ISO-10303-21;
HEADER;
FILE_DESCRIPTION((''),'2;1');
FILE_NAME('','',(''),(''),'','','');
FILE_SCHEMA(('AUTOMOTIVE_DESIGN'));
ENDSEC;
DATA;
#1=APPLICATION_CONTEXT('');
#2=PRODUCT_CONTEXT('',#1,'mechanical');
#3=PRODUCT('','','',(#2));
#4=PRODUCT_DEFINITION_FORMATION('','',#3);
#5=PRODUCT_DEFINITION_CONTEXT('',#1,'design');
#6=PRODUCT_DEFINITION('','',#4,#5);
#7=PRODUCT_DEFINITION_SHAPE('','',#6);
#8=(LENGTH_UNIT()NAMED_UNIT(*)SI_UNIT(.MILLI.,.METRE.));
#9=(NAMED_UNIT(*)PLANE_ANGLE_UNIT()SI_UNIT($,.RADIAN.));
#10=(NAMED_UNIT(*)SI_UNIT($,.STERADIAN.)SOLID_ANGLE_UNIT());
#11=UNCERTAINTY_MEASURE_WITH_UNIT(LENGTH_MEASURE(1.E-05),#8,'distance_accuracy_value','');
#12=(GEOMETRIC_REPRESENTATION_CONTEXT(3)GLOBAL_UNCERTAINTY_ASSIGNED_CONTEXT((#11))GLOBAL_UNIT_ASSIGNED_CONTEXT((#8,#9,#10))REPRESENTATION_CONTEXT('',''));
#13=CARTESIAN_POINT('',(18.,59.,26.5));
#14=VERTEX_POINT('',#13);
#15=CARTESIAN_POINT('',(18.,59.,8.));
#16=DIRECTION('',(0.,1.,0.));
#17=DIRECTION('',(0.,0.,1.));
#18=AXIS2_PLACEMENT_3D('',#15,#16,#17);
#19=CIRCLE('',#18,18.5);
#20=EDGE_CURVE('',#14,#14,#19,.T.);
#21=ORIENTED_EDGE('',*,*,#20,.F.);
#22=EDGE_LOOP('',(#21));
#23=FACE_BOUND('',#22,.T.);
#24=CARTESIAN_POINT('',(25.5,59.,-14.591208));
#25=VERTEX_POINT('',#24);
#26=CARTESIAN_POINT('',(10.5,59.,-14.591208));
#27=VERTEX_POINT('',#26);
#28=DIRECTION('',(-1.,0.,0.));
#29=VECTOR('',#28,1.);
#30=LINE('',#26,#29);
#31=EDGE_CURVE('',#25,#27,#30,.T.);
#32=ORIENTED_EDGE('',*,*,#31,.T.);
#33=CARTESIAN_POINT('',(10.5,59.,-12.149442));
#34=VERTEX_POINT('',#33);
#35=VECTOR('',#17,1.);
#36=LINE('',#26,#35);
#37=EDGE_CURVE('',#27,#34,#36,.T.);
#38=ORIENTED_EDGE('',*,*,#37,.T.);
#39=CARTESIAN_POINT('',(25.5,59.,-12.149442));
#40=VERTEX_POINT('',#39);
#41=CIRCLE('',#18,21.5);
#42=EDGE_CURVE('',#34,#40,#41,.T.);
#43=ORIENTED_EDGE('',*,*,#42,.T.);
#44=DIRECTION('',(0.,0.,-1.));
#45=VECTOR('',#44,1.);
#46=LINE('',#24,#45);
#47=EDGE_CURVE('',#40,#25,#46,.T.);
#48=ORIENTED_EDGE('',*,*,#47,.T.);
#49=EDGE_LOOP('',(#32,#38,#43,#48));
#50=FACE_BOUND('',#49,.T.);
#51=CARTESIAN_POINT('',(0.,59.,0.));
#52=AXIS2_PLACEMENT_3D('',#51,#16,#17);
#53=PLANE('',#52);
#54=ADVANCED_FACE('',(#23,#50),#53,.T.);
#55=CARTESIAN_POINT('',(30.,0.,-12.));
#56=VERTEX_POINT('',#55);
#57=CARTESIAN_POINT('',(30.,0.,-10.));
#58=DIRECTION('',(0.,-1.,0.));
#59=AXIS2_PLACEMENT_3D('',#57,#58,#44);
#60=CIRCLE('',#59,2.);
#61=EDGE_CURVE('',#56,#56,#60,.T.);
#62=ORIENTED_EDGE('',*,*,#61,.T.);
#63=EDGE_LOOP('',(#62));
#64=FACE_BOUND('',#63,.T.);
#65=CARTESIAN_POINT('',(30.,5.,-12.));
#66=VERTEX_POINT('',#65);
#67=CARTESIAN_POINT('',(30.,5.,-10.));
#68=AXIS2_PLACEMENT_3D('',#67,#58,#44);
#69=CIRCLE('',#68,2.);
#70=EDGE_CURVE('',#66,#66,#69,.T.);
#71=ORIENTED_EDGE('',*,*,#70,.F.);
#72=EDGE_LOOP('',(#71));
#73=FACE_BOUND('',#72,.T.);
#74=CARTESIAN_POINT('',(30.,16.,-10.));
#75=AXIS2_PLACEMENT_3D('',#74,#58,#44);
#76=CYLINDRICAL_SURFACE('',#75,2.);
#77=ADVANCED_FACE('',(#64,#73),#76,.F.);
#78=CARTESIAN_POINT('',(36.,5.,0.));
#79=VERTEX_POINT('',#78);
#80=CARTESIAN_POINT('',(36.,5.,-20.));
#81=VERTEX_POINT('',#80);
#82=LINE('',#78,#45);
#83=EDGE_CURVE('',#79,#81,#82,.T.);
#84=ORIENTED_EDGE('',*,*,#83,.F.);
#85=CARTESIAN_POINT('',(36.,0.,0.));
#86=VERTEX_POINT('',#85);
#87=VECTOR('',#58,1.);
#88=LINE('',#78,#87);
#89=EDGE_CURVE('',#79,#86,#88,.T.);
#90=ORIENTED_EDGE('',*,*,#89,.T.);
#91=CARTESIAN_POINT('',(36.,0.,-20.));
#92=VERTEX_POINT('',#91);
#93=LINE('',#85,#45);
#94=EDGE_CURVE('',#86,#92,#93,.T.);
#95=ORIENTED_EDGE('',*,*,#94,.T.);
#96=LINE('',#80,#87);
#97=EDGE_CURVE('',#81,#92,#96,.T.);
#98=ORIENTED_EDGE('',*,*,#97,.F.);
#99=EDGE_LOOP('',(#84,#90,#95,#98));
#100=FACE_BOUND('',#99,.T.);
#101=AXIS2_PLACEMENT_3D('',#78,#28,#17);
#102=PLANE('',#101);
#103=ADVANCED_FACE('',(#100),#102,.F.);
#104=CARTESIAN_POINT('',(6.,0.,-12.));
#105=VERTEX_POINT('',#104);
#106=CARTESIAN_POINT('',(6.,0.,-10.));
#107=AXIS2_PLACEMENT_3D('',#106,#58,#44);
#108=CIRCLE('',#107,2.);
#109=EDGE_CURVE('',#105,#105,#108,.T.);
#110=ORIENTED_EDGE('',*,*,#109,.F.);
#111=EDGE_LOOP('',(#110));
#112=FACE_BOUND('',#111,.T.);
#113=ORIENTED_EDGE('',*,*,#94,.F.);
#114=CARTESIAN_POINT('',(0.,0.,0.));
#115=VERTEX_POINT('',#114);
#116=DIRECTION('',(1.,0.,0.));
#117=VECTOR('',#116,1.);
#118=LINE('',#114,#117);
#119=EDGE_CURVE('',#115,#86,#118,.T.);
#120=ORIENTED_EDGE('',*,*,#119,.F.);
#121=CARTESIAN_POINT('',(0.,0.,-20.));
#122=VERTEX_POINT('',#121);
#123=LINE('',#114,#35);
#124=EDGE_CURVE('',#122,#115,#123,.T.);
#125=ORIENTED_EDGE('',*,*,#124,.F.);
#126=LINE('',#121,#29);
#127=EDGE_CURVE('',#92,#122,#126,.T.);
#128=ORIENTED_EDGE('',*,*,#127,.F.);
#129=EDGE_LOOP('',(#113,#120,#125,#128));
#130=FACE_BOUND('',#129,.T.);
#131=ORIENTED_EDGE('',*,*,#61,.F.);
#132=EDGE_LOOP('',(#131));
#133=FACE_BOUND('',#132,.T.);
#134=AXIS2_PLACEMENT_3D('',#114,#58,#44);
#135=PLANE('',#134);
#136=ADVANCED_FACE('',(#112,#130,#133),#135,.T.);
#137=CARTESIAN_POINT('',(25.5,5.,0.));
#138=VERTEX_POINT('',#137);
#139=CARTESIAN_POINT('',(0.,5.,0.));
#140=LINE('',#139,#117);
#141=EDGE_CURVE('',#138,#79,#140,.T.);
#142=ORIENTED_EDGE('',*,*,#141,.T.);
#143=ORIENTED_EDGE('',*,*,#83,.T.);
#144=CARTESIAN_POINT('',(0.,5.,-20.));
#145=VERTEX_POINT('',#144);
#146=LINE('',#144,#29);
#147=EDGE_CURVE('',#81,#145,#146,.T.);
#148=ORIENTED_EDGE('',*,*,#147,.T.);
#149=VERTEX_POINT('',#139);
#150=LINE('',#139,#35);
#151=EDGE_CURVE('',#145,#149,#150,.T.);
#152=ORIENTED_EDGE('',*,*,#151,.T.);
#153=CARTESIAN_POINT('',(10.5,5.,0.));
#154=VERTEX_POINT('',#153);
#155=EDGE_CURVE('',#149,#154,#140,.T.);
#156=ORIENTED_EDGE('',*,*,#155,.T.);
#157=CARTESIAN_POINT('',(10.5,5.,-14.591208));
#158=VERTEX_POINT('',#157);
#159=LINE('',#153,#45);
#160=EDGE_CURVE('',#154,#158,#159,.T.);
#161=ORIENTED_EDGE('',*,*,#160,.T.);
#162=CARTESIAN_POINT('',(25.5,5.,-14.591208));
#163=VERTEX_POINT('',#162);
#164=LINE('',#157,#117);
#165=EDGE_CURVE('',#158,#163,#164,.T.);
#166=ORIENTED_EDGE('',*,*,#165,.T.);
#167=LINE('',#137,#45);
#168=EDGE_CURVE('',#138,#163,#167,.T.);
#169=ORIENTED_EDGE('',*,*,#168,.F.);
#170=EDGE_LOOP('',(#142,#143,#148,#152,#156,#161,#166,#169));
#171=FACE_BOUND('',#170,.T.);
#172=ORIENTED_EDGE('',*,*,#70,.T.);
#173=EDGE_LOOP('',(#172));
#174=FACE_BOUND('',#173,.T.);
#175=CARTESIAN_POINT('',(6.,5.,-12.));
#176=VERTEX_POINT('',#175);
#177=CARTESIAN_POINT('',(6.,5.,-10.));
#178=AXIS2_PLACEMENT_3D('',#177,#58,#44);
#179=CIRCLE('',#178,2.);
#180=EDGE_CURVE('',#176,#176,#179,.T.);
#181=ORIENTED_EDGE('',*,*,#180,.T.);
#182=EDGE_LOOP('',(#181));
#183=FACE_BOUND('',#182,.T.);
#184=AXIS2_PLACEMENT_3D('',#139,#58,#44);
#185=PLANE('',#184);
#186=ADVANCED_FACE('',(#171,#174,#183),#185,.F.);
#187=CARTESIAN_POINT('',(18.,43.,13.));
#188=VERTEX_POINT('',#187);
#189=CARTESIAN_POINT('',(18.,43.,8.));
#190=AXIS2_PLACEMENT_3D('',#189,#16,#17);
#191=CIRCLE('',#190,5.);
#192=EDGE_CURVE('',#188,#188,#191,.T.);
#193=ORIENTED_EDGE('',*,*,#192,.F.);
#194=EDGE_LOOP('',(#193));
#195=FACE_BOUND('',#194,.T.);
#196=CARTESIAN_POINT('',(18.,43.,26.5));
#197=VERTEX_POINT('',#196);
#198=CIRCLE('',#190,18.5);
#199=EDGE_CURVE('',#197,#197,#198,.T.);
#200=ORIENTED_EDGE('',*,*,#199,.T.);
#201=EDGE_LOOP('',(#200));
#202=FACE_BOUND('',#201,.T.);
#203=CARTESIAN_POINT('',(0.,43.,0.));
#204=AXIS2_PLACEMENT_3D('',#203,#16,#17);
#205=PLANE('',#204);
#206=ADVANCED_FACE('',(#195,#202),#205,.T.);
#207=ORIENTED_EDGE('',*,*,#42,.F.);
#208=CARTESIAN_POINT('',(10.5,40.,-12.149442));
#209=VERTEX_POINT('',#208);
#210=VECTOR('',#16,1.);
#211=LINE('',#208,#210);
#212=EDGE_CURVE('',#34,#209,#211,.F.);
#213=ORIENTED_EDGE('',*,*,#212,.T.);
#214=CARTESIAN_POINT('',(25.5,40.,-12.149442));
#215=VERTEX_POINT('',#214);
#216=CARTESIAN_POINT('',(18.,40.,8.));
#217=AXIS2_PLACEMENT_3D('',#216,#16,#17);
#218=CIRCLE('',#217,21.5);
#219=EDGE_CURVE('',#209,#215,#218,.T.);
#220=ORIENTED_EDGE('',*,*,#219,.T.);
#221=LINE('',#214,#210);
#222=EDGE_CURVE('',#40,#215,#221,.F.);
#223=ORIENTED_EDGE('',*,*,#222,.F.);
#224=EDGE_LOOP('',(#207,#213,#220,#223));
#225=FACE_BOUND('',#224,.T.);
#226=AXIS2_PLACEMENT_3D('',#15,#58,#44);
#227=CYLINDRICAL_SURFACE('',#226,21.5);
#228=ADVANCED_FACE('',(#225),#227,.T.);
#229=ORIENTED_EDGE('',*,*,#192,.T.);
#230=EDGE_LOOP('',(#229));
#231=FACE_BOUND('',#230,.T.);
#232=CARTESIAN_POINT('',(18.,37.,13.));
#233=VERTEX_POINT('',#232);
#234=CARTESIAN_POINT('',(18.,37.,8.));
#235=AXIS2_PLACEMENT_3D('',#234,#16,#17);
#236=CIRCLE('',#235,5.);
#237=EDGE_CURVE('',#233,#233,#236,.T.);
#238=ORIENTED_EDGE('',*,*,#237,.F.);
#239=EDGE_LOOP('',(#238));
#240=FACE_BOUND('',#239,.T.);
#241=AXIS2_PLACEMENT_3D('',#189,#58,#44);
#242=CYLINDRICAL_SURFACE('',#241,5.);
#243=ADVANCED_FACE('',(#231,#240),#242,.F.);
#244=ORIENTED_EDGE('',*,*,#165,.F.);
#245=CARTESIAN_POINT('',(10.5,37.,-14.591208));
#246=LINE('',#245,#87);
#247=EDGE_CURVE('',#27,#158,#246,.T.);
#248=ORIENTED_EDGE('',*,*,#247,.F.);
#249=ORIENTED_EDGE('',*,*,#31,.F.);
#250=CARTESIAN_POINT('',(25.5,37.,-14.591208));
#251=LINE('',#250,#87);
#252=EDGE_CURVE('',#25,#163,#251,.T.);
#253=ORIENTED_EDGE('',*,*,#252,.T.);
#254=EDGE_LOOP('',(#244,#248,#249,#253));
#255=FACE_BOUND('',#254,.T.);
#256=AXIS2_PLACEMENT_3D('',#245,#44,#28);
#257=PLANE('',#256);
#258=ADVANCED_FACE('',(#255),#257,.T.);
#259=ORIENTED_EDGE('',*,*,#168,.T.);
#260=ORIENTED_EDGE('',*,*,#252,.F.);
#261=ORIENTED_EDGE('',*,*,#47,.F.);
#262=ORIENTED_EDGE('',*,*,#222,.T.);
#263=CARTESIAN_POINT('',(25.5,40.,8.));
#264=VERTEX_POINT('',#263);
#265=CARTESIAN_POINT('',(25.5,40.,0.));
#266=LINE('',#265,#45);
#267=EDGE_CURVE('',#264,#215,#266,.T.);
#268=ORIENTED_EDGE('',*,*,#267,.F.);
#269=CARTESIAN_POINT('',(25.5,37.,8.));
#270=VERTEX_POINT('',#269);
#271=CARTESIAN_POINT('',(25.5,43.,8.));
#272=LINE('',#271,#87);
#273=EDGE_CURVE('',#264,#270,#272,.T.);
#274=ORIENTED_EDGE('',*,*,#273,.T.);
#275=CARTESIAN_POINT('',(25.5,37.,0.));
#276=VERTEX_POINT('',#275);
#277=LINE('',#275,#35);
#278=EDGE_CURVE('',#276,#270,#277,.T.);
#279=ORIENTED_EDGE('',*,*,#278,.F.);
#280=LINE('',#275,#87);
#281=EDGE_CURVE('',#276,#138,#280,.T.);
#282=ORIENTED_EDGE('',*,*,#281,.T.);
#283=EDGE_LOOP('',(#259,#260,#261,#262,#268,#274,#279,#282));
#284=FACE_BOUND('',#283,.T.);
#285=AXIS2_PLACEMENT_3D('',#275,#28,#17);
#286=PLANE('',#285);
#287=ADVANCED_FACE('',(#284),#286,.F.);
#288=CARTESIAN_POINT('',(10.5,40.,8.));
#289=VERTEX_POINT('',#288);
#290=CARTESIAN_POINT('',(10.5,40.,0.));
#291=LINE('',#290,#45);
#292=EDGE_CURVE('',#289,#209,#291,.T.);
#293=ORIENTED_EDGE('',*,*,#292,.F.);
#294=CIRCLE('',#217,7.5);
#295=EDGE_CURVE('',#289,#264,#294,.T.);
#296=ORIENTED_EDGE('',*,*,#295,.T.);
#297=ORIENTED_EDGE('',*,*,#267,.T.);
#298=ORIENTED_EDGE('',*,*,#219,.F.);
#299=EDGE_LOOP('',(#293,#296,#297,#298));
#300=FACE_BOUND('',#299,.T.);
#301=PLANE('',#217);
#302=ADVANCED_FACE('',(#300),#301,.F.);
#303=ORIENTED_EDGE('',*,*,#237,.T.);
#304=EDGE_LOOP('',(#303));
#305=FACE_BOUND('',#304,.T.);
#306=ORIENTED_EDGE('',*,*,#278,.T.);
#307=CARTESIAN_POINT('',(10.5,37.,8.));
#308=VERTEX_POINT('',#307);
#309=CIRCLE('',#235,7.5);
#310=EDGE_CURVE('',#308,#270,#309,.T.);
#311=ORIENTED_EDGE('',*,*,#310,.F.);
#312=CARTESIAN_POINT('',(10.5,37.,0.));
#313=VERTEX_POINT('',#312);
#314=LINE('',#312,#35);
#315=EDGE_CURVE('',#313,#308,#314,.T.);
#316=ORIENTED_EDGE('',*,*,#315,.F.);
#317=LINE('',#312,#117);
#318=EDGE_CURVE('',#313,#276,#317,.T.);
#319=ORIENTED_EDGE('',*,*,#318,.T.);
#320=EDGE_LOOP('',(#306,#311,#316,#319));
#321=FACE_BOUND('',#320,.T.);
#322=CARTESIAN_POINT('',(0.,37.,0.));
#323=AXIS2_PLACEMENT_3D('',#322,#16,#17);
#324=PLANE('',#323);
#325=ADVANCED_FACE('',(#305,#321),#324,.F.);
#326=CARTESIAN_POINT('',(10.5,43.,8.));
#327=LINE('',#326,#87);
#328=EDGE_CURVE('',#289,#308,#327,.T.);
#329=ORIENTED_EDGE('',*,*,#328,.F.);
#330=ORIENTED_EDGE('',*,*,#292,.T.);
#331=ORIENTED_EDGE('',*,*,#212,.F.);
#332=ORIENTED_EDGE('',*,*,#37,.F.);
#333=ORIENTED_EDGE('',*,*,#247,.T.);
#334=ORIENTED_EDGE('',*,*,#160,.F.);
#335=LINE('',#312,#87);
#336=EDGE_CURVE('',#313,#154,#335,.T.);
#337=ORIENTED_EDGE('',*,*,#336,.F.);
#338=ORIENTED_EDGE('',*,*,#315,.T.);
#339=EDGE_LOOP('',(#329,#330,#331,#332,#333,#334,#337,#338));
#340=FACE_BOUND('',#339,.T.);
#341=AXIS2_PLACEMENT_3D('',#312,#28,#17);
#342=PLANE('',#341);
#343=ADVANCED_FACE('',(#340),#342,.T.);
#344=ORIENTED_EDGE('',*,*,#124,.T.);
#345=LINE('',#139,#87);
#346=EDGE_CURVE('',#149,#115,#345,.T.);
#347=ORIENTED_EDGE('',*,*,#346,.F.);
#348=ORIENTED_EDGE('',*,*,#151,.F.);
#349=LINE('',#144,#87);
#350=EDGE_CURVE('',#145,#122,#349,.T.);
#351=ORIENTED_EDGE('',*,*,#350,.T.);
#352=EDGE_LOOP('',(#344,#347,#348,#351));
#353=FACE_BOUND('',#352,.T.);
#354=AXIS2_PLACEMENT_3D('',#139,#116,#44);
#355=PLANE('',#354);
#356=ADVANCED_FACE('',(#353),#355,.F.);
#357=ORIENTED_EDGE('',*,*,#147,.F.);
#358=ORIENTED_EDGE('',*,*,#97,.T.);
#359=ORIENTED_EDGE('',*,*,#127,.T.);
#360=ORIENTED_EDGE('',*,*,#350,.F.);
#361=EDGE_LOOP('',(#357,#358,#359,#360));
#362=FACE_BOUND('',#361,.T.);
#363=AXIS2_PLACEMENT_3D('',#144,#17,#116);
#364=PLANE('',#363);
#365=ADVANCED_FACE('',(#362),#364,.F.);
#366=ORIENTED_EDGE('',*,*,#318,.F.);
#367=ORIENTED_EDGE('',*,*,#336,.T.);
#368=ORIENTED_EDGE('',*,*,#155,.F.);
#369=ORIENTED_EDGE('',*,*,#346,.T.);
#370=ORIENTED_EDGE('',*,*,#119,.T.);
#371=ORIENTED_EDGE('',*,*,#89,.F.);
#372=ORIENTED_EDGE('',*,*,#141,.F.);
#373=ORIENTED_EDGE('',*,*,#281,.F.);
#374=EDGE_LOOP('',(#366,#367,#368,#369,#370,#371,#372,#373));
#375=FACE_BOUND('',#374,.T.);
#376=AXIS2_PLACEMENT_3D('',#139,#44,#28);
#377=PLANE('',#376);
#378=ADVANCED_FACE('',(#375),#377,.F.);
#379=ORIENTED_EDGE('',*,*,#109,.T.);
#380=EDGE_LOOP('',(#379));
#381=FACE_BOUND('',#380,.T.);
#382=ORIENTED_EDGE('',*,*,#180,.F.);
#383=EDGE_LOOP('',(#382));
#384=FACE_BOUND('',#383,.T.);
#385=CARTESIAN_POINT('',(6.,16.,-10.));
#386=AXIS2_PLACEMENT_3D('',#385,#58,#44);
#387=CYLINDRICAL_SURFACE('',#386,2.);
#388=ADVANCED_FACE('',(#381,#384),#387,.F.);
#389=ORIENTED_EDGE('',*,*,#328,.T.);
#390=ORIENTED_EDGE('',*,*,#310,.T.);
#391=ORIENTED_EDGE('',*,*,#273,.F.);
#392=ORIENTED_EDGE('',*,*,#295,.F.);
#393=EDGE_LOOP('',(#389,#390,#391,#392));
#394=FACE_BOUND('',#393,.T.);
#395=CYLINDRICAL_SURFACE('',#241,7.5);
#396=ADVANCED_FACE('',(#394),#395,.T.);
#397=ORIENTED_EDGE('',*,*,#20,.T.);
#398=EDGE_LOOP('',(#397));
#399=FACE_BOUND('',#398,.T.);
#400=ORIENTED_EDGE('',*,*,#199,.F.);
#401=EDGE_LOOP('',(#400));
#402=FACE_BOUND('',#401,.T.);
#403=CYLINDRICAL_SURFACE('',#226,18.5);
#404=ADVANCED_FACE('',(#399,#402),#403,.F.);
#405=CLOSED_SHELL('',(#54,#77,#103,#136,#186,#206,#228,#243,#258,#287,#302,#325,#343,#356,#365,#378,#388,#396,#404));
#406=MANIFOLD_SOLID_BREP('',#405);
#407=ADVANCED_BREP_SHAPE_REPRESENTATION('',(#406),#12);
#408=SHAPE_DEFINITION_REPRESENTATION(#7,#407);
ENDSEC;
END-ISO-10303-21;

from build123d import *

# Parameters (mm, degrees)
ESQUISSE1_W             = 36
ESQUISSE1_H             = 20
BOSS_EXTRU_1_DEPTH      = 5
ESQUISSE2_W             = 15
ESQUISSE2_H             = 10.591208458
ESQUISSE2_H_2           = 4
BOSS_EXTRU_2_DEPTH      = 32
ESQUISSE3_R             = 5
BOSS_EXTRU_3_DEPTH      = 6
ESQUISSE4_R             = 21.5
ESQUISSE4_R_2           = 18.5
BOSS_EXTRU_4_DEPTH      = 16
BOSS_EXTRU_5_START      = -3
ESQUISSE5_R             = 21.5
ESQUISSE5_R_2           = 7.5
BOSS_EXTRU_5_DEPTH      = 3
ESQUISSE6_W             = 15
ESQUISSE6_H             = 3.413220749
BOSS_EXTRU_6_DEPTH      = 16
ESQUISSE8_R             = 2
ENL_V_MAT_EXTRU_1_DEPTH = 16


with BuildPart() as part:
    # Esquisse1 → Boss.-Extru.1 (new body)
    with BuildSketch(Plane(origin=(0, 0, 0), x_dir=(1, 0, 0), z_dir=(0, 1, 0))):
        with Locations((18, 10)):
            Rectangle(ESQUISSE1_W, ESQUISSE1_H)
    extrude(amount=BOSS_EXTRU_1_DEPTH)

    # Esquisse2 → Boss.-Extru.2 (add)
    with BuildSketch(Plane(origin=(0, 5, 0), x_dir=(1, 0, 0), z_dir=(0, 1, 0))):
        with Locations((18, 5.295604229)):
            Rectangle(ESQUISSE2_W, ESQUISSE2_H)
        with Locations((18, 12.591208458)):
            Rectangle(ESQUISSE2_W, ESQUISSE2_H_2)
    extrude(amount=BOSS_EXTRU_2_DEPTH)

    # Esquisse3 → Boss.-Extru.3 (add)
    with BuildSketch(Plane(origin=(0, 37, 0), x_dir=(1, 0, 0), z_dir=(0, 1, 0))):
        with BuildLine():
            Line((10.5, 14.591208458), (10.5, -8))
            ThreePointArc((10.5, -8), (18, -15.5), (25.5, -8))
            Line((25.5, -8), (25.5, 14.591208458))
            Line((25.5, 14.591208458), (10.5, 14.591208458))
        make_face()
        with Locations(Location((18, -8, 0), (0, 0, 270))):
            Circle(ESQUISSE3_R, mode=Mode.SUBTRACT)
    extrude(amount=BOSS_EXTRU_3_DEPTH)

    # Esquisse4 → Boss.-Extru.4 (add)
    with BuildSketch(Plane(origin=(0, 43, 0), x_dir=(1, 0, 0), z_dir=(0, 1, 0))):
        with Locations(Location((18, -8, 0), (0, 0, 69.583789871))):
            Circle(ESQUISSE4_R)
        with Locations(Location((18, -8, 0), (0, 0, 66.083465578))):
            Circle(ESQUISSE4_R_2, mode=Mode.SUBTRACT)
    extrude(amount=BOSS_EXTRU_4_DEPTH)

    # Esquisse5 → Boss.-Extru.5 (add)
    with BuildSketch(Plane(origin=(0, 43, 0), x_dir=(1, 0, 0), z_dir=(0, 1, 0)).offset(BOSS_EXTRU_5_START)):
        with Locations(Location((18, -8, 0), (0, 0, 69.583789871))):
            Circle(ESQUISSE5_R)
        with Locations((18, -8)):
            Circle(ESQUISSE5_R_2, mode=Mode.SUBTRACT)
    extrude(amount=BOSS_EXTRU_5_DEPTH)

    # Esquisse6 → Boss.-Extru.6 (add)
    with BuildSketch(Plane(origin=(0, 43, 0), x_dir=(1, 0, 0), z_dir=(0, 1, 0))):
        with Locations((18, 12.884598084)):
            Rectangle(ESQUISSE6_W, ESQUISSE6_H)
    extrude(amount=BOSS_EXTRU_6_DEPTH)

    # Esquisse8 → Enlèv. mat.-Extru.1 (cut)
    with BuildSketch(Plane.XZ):
        with Locations(Location((6, -10, 0), (0, 0, 270))):
            Circle(ESQUISSE8_R)
        with Locations(Location((30, -10, 0), (0, 0, 270))):
            Circle(ESQUISSE8_R)
    extrude(amount=-ENL_V_MAT_EXTRU_1_DEPTH, mode=Mode.SUBTRACT)


solid = part.part
